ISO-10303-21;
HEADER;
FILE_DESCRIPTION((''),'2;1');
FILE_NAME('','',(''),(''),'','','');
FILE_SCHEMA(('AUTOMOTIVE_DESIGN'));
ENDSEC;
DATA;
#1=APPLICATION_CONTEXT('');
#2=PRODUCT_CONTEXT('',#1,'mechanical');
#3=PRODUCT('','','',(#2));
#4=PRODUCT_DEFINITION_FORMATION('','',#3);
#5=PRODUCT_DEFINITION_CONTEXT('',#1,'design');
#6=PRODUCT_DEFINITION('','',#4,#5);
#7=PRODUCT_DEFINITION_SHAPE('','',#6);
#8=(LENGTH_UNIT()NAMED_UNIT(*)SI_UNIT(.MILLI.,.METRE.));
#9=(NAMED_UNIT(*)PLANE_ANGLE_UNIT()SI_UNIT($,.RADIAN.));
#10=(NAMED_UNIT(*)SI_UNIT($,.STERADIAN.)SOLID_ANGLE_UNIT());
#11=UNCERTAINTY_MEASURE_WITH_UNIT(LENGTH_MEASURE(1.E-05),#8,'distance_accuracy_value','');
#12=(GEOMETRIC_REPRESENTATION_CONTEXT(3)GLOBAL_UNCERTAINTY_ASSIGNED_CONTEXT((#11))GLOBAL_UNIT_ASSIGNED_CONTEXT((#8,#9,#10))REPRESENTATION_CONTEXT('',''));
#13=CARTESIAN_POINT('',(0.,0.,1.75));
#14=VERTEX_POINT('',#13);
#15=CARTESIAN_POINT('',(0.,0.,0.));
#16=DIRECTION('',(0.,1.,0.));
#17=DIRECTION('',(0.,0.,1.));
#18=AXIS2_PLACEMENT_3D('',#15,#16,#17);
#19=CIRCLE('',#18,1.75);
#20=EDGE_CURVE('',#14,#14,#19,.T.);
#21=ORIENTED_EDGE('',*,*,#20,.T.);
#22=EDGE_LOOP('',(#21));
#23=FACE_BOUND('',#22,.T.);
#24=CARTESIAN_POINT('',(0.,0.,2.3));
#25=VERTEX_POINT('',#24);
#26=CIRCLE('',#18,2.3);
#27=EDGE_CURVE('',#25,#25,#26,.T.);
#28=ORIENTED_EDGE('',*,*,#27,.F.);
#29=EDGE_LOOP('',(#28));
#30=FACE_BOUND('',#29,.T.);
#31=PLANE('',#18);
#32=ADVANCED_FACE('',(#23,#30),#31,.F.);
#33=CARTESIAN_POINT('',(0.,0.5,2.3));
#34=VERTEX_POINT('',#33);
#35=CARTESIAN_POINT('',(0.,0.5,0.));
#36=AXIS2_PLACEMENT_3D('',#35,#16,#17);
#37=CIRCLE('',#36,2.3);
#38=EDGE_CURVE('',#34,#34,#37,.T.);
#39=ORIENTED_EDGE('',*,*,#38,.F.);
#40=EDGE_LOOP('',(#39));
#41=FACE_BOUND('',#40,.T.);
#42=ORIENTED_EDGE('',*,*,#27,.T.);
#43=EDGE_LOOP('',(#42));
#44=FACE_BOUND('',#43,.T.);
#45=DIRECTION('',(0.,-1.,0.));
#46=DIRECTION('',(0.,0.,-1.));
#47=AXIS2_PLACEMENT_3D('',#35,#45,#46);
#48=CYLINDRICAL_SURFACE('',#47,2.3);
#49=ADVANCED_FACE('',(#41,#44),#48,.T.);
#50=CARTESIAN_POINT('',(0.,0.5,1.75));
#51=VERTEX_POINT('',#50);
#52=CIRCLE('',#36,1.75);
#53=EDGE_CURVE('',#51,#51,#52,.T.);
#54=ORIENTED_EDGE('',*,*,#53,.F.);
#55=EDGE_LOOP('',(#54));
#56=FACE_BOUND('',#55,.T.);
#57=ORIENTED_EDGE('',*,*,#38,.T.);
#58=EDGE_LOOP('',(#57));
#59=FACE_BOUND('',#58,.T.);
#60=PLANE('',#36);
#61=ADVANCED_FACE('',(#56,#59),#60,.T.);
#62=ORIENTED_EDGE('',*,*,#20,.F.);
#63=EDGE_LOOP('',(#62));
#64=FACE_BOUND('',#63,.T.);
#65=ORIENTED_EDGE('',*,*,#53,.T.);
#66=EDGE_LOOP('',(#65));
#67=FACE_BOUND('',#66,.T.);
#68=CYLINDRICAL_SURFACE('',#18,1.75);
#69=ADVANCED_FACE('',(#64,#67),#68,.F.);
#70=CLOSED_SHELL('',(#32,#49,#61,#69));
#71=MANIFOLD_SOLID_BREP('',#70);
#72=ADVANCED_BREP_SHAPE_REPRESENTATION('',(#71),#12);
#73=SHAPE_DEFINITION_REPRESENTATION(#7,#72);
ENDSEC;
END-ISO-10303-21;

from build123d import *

# Parameters (mm, degrees)
SKETCH1_R           = 2.3
BOSS_EXTRUDE1_DEPTH = 0.5
SKETCH2_R           = 1.75
CUT_EXTRUDE1_DEPTH  = 1.5


with BuildPart() as part:
    # Sketch1 → Boss-Extrude1 (new body)
    with BuildSketch(Plane(origin=(0, 0, 0), x_dir=(1, 0, 0), z_dir=(0, 1, 0))):
        Circle(SKETCH1_R)
    extrude(amount=BOSS_EXTRUDE1_DEPTH)

    # Sketch2 → Cut-Extrude1 (cut, through all)
    with BuildSketch(Plane(origin=(0, 0.5, 0), x_dir=(1, 0, 0), z_dir=(0, 1, 0))):
        Circle(SKETCH2_R)
    extrude(amount=-CUT_EXTRUDE1_DEPTH, mode=Mode.SUBTRACT)


solid = part.part
